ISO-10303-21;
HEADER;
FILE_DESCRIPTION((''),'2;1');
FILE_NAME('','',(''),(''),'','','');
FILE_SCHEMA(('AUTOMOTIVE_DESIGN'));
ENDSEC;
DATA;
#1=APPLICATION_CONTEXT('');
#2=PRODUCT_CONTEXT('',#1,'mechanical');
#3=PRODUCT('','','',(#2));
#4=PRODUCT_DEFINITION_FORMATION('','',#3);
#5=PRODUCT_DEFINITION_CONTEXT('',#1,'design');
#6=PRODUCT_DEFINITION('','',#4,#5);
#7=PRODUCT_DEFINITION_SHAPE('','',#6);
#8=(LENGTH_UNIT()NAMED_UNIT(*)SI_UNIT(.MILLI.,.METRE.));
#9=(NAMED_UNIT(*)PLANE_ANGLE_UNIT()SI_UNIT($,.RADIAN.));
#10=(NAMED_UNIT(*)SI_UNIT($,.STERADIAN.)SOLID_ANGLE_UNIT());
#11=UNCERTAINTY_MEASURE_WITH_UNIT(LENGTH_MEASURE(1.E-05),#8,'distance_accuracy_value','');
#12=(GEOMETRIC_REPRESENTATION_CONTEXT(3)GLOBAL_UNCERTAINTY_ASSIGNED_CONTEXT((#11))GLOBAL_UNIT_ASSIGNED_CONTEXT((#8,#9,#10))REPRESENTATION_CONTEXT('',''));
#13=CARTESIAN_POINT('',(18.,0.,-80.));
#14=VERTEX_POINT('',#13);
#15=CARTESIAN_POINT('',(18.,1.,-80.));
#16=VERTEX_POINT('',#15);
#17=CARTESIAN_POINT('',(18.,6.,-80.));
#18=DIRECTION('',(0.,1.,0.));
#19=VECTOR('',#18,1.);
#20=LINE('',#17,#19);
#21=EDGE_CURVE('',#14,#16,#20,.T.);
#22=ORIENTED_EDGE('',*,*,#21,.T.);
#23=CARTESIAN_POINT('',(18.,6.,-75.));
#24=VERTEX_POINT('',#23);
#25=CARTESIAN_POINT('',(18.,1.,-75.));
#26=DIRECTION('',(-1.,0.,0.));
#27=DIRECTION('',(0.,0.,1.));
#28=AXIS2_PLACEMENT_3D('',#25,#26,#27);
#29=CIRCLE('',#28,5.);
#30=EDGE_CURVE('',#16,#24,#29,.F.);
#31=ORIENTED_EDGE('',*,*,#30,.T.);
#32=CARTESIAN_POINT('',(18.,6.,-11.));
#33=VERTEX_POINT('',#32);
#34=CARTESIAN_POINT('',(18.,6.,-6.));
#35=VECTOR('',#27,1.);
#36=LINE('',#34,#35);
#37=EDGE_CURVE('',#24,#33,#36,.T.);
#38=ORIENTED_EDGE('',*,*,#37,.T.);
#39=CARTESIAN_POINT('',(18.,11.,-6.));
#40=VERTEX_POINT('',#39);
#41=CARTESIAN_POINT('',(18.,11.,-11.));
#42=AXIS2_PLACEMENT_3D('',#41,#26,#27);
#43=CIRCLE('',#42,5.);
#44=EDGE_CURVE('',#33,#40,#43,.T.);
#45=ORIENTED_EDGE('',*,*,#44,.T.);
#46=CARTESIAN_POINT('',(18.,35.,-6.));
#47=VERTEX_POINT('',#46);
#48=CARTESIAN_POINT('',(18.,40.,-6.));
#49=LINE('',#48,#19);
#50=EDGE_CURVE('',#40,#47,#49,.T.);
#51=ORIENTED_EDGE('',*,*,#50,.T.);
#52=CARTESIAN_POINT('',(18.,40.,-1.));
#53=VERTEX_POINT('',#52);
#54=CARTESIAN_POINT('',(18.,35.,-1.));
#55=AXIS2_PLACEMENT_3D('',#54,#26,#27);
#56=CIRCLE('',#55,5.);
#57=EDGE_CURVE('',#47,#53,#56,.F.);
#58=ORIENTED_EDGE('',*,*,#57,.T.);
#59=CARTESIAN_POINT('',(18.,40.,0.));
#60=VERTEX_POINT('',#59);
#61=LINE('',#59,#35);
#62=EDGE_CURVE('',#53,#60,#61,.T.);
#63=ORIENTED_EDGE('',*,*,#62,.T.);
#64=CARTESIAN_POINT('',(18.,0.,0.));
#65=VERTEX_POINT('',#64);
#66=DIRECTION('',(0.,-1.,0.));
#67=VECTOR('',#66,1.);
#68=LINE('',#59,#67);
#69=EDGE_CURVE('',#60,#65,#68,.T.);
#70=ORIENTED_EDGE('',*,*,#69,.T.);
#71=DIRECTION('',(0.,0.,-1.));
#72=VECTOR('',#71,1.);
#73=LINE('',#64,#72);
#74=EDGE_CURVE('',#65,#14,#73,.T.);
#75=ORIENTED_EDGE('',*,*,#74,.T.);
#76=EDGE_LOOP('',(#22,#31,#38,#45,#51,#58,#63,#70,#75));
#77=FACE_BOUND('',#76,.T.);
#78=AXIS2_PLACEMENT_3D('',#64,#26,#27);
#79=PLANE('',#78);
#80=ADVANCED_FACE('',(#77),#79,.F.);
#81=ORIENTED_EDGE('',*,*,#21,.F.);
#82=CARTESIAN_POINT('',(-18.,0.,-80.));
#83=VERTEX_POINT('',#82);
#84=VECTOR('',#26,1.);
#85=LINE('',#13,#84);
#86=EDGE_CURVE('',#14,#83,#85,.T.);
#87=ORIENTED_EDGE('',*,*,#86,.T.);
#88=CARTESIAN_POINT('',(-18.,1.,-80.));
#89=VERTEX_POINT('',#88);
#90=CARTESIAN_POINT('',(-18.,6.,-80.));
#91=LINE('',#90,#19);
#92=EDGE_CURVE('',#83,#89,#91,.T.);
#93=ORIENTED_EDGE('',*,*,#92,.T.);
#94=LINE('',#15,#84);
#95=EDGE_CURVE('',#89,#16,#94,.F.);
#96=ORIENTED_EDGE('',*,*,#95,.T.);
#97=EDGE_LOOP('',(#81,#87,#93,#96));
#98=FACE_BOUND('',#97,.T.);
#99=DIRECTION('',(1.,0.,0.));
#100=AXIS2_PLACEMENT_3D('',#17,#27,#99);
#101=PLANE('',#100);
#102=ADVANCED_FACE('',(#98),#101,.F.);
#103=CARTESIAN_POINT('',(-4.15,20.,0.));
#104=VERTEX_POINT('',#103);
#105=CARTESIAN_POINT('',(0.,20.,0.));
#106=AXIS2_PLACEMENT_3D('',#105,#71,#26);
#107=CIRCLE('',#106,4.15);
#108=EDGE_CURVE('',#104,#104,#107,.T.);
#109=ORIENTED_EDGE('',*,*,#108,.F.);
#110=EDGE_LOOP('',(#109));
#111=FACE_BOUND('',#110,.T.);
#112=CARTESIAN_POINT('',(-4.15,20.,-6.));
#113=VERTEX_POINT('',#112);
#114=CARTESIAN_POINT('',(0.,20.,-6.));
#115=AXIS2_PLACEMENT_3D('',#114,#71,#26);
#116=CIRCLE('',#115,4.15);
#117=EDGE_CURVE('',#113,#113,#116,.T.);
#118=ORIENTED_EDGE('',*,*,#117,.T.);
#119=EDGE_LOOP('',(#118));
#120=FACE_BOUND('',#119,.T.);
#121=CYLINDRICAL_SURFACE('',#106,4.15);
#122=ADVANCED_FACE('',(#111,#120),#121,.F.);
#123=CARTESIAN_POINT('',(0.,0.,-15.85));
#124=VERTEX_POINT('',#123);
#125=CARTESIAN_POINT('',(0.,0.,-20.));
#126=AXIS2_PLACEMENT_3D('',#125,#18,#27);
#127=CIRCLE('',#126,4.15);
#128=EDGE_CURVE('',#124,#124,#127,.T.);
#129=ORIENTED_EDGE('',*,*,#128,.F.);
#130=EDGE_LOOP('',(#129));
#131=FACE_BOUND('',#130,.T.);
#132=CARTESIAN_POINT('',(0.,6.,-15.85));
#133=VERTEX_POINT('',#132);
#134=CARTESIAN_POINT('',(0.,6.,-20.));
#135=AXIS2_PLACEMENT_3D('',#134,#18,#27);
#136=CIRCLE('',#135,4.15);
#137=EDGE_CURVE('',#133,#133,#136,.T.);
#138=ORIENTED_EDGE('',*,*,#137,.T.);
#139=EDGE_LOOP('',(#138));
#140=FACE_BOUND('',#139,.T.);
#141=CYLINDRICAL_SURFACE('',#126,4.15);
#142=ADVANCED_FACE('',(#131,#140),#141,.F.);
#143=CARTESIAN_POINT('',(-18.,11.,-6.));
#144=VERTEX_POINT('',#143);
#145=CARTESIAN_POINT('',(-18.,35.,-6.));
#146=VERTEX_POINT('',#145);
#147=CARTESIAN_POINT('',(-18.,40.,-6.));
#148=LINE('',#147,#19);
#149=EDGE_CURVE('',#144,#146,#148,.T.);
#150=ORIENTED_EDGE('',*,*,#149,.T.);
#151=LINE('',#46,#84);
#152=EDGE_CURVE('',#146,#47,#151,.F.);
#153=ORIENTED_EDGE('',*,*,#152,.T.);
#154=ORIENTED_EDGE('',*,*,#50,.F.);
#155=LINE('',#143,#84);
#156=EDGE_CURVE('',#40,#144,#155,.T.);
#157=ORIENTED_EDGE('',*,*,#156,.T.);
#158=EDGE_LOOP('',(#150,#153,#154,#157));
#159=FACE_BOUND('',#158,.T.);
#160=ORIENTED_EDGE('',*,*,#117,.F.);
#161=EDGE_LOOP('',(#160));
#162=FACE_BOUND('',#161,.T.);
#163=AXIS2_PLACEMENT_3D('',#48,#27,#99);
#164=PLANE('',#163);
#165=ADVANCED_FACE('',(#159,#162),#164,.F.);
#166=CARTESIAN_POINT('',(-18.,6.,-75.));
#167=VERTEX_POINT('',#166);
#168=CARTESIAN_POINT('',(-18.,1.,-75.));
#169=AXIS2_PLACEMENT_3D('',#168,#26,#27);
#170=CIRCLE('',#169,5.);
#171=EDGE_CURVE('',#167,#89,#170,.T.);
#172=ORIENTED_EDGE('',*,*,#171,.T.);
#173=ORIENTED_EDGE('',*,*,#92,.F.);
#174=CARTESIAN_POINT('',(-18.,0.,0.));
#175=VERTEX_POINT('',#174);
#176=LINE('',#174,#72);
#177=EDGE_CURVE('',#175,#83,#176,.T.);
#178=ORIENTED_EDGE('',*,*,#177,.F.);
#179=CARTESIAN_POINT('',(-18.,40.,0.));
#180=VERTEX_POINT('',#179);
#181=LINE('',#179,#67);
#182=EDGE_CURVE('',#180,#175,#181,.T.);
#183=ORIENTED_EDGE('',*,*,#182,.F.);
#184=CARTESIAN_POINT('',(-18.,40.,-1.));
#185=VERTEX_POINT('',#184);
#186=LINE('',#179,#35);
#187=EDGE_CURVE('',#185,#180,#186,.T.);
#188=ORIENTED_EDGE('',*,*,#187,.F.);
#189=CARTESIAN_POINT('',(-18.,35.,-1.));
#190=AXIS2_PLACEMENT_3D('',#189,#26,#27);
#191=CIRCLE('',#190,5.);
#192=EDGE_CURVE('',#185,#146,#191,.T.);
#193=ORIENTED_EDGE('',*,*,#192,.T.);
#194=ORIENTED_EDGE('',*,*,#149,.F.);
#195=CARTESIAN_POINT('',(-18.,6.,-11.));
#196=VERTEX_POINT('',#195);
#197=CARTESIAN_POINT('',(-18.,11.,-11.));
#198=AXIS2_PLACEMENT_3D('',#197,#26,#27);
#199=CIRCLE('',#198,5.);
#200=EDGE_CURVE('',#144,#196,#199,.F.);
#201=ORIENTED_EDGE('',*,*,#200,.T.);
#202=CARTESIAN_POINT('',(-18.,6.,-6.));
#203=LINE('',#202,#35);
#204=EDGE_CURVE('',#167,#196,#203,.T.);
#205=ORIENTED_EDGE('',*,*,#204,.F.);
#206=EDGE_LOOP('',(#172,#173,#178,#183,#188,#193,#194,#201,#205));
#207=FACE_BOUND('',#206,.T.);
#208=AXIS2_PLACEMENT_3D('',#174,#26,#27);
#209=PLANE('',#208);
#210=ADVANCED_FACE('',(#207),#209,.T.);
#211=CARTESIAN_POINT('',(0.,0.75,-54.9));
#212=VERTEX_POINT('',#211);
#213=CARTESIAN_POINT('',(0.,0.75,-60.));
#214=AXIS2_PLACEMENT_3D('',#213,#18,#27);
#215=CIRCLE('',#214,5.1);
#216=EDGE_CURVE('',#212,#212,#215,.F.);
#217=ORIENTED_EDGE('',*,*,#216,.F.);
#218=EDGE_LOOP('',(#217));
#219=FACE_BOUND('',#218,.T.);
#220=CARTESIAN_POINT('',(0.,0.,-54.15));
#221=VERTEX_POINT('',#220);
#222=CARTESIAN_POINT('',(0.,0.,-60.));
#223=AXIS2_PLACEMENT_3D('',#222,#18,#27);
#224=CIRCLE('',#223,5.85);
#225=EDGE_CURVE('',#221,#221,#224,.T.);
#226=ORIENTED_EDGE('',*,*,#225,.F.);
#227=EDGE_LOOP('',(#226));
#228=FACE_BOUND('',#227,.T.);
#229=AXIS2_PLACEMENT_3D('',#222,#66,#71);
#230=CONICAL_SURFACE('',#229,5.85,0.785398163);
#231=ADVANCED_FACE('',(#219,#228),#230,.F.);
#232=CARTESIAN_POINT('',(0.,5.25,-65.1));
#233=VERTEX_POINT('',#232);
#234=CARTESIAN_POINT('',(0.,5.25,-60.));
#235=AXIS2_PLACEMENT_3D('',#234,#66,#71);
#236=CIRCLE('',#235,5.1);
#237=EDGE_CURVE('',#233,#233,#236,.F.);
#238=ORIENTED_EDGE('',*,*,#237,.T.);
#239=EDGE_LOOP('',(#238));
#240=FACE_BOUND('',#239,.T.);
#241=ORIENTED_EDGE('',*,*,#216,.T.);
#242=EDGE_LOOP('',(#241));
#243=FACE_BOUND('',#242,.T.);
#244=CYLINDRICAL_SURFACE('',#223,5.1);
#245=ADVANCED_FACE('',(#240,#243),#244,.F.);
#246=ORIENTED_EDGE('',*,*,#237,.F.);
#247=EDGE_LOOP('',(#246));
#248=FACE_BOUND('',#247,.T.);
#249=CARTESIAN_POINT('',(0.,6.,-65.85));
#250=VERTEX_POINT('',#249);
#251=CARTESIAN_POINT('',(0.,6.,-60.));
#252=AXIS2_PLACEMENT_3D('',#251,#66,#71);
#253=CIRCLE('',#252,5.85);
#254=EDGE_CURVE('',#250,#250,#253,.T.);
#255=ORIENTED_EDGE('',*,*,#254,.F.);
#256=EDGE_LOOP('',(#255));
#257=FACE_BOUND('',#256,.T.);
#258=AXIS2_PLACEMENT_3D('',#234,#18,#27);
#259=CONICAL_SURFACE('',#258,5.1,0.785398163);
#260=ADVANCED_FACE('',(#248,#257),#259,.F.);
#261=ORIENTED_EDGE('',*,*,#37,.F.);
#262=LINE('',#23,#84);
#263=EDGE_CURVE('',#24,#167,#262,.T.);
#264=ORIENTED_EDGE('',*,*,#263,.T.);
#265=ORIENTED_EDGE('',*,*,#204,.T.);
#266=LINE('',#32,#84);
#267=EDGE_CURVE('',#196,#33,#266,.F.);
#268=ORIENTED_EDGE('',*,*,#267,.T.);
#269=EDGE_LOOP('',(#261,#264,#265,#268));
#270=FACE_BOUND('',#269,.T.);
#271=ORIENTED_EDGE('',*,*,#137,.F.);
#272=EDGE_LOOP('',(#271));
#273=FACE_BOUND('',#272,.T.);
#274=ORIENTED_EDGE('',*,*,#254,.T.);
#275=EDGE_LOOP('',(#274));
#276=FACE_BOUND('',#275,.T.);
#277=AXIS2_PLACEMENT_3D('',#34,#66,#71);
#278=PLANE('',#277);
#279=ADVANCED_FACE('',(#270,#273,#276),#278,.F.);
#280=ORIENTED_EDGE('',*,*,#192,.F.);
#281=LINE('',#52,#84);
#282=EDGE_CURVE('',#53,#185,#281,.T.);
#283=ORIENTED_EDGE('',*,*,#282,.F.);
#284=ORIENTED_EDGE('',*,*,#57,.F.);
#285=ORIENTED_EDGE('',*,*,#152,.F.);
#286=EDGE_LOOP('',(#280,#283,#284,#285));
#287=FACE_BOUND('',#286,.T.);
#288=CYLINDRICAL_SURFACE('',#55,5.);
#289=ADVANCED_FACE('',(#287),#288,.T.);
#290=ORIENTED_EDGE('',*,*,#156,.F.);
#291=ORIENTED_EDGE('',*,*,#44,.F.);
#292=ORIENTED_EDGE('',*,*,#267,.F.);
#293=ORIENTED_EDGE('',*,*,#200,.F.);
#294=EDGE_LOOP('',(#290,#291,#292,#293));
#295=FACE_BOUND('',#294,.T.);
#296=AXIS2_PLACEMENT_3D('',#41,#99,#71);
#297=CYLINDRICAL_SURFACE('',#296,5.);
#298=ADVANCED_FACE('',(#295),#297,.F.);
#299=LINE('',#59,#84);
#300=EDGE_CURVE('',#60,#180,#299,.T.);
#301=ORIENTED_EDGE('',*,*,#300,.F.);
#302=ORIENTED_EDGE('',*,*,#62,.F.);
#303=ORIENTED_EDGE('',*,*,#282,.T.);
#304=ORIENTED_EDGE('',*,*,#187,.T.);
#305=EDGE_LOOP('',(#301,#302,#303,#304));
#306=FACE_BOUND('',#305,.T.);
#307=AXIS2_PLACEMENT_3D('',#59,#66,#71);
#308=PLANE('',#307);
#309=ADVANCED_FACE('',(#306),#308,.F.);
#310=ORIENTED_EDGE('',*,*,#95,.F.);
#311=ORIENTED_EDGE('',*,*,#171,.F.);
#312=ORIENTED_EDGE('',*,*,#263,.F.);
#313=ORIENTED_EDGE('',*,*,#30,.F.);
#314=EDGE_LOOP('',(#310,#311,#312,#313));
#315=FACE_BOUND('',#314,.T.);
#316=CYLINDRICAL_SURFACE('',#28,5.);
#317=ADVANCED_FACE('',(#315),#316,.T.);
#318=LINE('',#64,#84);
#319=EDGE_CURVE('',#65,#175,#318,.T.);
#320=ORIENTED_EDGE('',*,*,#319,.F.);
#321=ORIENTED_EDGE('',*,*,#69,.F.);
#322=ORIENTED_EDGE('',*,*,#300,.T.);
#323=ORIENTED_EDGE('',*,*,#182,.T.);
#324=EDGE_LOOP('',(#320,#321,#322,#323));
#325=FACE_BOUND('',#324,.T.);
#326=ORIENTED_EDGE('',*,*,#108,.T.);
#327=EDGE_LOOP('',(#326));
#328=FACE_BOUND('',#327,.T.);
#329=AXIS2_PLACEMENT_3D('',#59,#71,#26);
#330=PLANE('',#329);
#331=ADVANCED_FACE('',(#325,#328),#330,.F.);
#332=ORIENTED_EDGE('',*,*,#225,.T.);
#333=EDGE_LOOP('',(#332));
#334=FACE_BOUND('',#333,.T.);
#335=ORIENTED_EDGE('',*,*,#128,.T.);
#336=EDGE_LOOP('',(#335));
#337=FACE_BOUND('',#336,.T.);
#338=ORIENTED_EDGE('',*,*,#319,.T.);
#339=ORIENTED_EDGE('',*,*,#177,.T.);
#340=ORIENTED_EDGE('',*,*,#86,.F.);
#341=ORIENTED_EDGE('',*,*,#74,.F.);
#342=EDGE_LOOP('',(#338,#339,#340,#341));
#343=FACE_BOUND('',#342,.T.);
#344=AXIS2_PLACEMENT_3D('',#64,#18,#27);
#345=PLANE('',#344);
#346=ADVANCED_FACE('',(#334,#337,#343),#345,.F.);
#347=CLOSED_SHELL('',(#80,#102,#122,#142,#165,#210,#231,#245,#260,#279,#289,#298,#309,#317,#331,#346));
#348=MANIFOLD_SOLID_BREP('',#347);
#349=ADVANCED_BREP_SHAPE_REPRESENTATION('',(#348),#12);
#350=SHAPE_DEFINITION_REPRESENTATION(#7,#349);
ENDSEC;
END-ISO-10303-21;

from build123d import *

# Parameters (mm, degrees)
BOSS_EXTRUDE1_DEPTH = 18
SKETCH2_R           = 5.1
SKETCH2_R_2         = 4.15
CUT_EXTRUDE1_DEPTH  = 7
SKETCH3_R           = 4.15
CUT_EXTRUDE2_DEPTH  = 7
FILLET1_R           = 5
CHAMFER1_SIZE       = 0.75


with BuildPart() as part:
    # Sketch1 → Boss-Extrude1 (new body, symmetric)
    with BuildSketch(Plane(origin=(0, 0, 0), x_dir=(0, 0, -1), z_dir=(1, 0, 0))):
        Polygon((0, 40), (0, 0), (80, 0), (80, 6), (6, 6), (6, 40), align=None)
    extrude(amount=BOSS_EXTRUDE1_DEPTH, both=True)

    # Sketch2 → Cut-Extrude1 (cut, through all)
    with BuildSketch(Plane(origin=(0, 6, 0), x_dir=(1, 0, 0), z_dir=(0, 1, 0))):
        with Locations((0, 60)):
            Circle(SKETCH2_R)
        with Locations((0, 20)):
            Circle(SKETCH2_R_2)
    extrude(amount=-CUT_EXTRUDE1_DEPTH, mode=Mode.SUBTRACT)

    # Sketch3 → Cut-Extrude2 (cut, through all)
    with BuildSketch(Plane(origin=(0, 0, -6), x_dir=(-1, 0, 0), z_dir=(0, 0, -1))):
        with Locations((0, 20)):
            Circle(SKETCH3_R)
    extrude(amount=-CUT_EXTRUDE2_DEPTH, mode=Mode.SUBTRACT)

    # Fillet1
    fillet1_edges = [part.edges().sort_by_distance(p)[0] for p in [
        (0, 40, -6),
        (0, 6, -6),
        (0, 6, -80),
    ]]
    fillet(fillet1_edges, radius=FILLET1_R)

    # Chamfer1
    chamfer1_edges = [part.edges().sort_by_distance(p)[0] for p in [
        (-5.1, 0, -60),
        (-5.1, 6, -60),
    ]]
    chamfer(chamfer1_edges, length=CHAMFER1_SIZE)


solid = part.part
